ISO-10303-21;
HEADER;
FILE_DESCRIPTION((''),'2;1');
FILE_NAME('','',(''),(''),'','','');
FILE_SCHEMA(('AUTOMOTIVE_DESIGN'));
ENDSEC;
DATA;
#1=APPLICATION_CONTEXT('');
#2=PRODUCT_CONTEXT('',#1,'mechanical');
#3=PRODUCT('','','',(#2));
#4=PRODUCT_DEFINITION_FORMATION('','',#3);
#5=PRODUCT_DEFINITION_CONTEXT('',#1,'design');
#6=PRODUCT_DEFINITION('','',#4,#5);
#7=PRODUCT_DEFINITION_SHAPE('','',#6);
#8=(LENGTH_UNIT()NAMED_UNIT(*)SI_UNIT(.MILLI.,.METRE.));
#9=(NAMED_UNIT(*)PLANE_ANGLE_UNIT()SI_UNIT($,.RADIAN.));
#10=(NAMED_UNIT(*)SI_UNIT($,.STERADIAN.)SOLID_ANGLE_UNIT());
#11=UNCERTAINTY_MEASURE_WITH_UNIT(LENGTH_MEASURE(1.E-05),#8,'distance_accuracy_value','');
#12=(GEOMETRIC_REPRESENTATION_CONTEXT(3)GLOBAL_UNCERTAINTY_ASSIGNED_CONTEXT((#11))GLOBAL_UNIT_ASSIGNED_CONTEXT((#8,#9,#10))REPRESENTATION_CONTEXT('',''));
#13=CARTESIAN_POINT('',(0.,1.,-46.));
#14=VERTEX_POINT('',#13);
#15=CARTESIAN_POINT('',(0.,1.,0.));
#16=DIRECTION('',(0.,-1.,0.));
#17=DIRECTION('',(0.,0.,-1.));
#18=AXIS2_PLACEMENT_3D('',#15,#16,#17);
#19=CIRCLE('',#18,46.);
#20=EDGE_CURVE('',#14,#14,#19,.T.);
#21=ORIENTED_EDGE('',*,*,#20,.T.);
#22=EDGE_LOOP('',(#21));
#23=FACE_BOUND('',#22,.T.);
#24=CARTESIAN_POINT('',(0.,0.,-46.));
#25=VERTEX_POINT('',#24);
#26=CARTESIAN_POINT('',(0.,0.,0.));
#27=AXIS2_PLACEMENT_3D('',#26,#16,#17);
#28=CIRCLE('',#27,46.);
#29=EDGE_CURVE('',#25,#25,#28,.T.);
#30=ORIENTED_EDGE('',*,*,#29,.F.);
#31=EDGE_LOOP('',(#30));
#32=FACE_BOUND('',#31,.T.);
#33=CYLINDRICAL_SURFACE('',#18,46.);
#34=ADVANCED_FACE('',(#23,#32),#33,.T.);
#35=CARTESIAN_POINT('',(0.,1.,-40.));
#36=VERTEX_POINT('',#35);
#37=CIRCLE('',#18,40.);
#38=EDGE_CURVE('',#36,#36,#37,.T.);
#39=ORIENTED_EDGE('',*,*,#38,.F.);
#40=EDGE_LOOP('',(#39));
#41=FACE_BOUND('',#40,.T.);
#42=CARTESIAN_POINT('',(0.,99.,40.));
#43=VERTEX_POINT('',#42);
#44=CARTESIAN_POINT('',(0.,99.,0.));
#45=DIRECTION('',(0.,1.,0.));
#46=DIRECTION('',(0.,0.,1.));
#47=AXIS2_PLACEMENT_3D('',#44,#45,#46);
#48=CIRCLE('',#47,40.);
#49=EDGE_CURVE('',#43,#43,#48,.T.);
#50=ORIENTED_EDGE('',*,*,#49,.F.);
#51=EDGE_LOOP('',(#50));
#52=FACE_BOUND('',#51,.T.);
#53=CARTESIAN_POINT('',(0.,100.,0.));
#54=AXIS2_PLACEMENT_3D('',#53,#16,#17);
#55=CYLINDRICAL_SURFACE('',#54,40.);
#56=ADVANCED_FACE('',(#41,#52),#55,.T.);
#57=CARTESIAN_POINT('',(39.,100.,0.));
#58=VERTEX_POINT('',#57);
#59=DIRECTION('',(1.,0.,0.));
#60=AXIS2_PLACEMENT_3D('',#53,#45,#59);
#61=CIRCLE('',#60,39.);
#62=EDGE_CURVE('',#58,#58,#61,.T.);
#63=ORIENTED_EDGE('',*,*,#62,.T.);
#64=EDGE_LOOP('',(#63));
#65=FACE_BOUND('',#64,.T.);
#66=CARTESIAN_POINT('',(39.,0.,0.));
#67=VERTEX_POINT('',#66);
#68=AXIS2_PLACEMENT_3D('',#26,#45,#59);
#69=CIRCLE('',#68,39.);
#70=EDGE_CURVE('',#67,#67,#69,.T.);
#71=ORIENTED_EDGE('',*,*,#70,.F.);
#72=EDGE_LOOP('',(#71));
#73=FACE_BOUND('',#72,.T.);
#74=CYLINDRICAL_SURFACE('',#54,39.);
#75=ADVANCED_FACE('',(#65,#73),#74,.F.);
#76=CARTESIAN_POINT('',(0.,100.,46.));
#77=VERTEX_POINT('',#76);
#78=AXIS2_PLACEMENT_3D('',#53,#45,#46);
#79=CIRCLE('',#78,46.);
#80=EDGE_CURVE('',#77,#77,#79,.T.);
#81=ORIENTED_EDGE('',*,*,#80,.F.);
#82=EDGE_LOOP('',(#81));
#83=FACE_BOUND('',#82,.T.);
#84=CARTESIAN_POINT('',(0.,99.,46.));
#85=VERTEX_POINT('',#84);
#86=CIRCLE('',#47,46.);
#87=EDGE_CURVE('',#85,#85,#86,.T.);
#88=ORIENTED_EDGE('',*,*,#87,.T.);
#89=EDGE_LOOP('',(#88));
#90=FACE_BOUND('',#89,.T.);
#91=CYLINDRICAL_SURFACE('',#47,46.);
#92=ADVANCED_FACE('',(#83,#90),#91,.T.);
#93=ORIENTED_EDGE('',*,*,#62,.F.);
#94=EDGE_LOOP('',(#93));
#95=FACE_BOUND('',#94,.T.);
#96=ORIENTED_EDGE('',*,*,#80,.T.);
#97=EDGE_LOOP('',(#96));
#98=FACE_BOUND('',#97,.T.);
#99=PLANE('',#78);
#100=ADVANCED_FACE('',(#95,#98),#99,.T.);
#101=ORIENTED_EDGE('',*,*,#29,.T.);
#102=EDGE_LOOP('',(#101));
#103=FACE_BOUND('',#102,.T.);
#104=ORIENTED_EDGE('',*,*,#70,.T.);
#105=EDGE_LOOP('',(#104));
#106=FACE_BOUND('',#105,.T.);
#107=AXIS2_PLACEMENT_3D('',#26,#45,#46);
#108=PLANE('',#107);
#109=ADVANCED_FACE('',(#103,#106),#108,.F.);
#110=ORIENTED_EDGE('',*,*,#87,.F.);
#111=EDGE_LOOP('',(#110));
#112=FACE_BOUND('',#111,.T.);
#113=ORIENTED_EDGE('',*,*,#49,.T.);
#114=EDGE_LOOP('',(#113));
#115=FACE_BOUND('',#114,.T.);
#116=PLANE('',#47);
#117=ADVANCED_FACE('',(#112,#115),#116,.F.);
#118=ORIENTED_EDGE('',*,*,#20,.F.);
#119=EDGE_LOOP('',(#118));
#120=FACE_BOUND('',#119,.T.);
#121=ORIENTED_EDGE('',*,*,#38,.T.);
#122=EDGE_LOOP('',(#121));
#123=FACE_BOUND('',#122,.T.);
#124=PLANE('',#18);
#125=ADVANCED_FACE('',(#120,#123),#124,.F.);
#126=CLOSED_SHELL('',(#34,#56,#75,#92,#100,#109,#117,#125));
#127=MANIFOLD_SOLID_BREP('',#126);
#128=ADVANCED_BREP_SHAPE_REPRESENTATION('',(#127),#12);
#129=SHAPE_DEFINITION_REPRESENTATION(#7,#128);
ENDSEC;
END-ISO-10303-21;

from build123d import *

# Parameters (mm, degrees)
SCHIZZO1_R                   = 40
SCHIZZO1_R_2                 = 39
ESTRUSIONE_SOTTILE1_DEPTH    = 100
ESTRUSIONE_ESTRUSIONE1_START = -1
SCHIZZO2_R                   = 46
SCHIZZO2_R_2                 = 40
ESTRUSIONE_ESTRUSIONE1_DEPTH = 1
SCHIZZO3_R                   = 46
SCHIZZO3_R_2                 = 40
ESTRUSIONE_ESTRUSIONE2_DEPTH = 1


with BuildPart() as part:
    # Schizzo1 → Estrusione-Sottile1 (new body)
    with BuildSketch(Plane(origin=(0, 0, 0), x_dir=(1, 0, 0), z_dir=(0, 1, 0))):
        Circle(SCHIZZO1_R)
        Circle(SCHIZZO1_R_2, mode=Mode.SUBTRACT)
    extrude(amount=ESTRUSIONE_SOTTILE1_DEPTH)

    # Schizzo2 → Estrusione-Estrusione1 (add)
    with BuildSketch(Plane(origin=(0, 100, 0), x_dir=(1, 0, 0), z_dir=(0, 1, 0)).offset(ESTRUSIONE_ESTRUSIONE1_START)):
        with Locations(Location((0, 0, 0), (0, 0, 270))):
            Circle(SCHIZZO2_R)
        with Locations(Location((0, 0, 0), (0, 0, 270))):
            Circle(SCHIZZO2_R_2, mode=Mode.SUBTRACT)
    extrude(amount=ESTRUSIONE_ESTRUSIONE1_DEPTH)

    # Schizzo3 → Estrusione-Estrusione2 (add)
    with BuildSketch(Plane.XZ):
        with Locations(Location((0, 0, 0), (0, 0, 90))):
            Circle(SCHIZZO3_R)
        with Locations(Location((0, 0, 0), (0, 0, 270))):
            Circle(SCHIZZO3_R_2, mode=Mode.SUBTRACT)
    extrude(amount=-ESTRUSIONE_ESTRUSIONE2_DEPTH)


solid = part.part
